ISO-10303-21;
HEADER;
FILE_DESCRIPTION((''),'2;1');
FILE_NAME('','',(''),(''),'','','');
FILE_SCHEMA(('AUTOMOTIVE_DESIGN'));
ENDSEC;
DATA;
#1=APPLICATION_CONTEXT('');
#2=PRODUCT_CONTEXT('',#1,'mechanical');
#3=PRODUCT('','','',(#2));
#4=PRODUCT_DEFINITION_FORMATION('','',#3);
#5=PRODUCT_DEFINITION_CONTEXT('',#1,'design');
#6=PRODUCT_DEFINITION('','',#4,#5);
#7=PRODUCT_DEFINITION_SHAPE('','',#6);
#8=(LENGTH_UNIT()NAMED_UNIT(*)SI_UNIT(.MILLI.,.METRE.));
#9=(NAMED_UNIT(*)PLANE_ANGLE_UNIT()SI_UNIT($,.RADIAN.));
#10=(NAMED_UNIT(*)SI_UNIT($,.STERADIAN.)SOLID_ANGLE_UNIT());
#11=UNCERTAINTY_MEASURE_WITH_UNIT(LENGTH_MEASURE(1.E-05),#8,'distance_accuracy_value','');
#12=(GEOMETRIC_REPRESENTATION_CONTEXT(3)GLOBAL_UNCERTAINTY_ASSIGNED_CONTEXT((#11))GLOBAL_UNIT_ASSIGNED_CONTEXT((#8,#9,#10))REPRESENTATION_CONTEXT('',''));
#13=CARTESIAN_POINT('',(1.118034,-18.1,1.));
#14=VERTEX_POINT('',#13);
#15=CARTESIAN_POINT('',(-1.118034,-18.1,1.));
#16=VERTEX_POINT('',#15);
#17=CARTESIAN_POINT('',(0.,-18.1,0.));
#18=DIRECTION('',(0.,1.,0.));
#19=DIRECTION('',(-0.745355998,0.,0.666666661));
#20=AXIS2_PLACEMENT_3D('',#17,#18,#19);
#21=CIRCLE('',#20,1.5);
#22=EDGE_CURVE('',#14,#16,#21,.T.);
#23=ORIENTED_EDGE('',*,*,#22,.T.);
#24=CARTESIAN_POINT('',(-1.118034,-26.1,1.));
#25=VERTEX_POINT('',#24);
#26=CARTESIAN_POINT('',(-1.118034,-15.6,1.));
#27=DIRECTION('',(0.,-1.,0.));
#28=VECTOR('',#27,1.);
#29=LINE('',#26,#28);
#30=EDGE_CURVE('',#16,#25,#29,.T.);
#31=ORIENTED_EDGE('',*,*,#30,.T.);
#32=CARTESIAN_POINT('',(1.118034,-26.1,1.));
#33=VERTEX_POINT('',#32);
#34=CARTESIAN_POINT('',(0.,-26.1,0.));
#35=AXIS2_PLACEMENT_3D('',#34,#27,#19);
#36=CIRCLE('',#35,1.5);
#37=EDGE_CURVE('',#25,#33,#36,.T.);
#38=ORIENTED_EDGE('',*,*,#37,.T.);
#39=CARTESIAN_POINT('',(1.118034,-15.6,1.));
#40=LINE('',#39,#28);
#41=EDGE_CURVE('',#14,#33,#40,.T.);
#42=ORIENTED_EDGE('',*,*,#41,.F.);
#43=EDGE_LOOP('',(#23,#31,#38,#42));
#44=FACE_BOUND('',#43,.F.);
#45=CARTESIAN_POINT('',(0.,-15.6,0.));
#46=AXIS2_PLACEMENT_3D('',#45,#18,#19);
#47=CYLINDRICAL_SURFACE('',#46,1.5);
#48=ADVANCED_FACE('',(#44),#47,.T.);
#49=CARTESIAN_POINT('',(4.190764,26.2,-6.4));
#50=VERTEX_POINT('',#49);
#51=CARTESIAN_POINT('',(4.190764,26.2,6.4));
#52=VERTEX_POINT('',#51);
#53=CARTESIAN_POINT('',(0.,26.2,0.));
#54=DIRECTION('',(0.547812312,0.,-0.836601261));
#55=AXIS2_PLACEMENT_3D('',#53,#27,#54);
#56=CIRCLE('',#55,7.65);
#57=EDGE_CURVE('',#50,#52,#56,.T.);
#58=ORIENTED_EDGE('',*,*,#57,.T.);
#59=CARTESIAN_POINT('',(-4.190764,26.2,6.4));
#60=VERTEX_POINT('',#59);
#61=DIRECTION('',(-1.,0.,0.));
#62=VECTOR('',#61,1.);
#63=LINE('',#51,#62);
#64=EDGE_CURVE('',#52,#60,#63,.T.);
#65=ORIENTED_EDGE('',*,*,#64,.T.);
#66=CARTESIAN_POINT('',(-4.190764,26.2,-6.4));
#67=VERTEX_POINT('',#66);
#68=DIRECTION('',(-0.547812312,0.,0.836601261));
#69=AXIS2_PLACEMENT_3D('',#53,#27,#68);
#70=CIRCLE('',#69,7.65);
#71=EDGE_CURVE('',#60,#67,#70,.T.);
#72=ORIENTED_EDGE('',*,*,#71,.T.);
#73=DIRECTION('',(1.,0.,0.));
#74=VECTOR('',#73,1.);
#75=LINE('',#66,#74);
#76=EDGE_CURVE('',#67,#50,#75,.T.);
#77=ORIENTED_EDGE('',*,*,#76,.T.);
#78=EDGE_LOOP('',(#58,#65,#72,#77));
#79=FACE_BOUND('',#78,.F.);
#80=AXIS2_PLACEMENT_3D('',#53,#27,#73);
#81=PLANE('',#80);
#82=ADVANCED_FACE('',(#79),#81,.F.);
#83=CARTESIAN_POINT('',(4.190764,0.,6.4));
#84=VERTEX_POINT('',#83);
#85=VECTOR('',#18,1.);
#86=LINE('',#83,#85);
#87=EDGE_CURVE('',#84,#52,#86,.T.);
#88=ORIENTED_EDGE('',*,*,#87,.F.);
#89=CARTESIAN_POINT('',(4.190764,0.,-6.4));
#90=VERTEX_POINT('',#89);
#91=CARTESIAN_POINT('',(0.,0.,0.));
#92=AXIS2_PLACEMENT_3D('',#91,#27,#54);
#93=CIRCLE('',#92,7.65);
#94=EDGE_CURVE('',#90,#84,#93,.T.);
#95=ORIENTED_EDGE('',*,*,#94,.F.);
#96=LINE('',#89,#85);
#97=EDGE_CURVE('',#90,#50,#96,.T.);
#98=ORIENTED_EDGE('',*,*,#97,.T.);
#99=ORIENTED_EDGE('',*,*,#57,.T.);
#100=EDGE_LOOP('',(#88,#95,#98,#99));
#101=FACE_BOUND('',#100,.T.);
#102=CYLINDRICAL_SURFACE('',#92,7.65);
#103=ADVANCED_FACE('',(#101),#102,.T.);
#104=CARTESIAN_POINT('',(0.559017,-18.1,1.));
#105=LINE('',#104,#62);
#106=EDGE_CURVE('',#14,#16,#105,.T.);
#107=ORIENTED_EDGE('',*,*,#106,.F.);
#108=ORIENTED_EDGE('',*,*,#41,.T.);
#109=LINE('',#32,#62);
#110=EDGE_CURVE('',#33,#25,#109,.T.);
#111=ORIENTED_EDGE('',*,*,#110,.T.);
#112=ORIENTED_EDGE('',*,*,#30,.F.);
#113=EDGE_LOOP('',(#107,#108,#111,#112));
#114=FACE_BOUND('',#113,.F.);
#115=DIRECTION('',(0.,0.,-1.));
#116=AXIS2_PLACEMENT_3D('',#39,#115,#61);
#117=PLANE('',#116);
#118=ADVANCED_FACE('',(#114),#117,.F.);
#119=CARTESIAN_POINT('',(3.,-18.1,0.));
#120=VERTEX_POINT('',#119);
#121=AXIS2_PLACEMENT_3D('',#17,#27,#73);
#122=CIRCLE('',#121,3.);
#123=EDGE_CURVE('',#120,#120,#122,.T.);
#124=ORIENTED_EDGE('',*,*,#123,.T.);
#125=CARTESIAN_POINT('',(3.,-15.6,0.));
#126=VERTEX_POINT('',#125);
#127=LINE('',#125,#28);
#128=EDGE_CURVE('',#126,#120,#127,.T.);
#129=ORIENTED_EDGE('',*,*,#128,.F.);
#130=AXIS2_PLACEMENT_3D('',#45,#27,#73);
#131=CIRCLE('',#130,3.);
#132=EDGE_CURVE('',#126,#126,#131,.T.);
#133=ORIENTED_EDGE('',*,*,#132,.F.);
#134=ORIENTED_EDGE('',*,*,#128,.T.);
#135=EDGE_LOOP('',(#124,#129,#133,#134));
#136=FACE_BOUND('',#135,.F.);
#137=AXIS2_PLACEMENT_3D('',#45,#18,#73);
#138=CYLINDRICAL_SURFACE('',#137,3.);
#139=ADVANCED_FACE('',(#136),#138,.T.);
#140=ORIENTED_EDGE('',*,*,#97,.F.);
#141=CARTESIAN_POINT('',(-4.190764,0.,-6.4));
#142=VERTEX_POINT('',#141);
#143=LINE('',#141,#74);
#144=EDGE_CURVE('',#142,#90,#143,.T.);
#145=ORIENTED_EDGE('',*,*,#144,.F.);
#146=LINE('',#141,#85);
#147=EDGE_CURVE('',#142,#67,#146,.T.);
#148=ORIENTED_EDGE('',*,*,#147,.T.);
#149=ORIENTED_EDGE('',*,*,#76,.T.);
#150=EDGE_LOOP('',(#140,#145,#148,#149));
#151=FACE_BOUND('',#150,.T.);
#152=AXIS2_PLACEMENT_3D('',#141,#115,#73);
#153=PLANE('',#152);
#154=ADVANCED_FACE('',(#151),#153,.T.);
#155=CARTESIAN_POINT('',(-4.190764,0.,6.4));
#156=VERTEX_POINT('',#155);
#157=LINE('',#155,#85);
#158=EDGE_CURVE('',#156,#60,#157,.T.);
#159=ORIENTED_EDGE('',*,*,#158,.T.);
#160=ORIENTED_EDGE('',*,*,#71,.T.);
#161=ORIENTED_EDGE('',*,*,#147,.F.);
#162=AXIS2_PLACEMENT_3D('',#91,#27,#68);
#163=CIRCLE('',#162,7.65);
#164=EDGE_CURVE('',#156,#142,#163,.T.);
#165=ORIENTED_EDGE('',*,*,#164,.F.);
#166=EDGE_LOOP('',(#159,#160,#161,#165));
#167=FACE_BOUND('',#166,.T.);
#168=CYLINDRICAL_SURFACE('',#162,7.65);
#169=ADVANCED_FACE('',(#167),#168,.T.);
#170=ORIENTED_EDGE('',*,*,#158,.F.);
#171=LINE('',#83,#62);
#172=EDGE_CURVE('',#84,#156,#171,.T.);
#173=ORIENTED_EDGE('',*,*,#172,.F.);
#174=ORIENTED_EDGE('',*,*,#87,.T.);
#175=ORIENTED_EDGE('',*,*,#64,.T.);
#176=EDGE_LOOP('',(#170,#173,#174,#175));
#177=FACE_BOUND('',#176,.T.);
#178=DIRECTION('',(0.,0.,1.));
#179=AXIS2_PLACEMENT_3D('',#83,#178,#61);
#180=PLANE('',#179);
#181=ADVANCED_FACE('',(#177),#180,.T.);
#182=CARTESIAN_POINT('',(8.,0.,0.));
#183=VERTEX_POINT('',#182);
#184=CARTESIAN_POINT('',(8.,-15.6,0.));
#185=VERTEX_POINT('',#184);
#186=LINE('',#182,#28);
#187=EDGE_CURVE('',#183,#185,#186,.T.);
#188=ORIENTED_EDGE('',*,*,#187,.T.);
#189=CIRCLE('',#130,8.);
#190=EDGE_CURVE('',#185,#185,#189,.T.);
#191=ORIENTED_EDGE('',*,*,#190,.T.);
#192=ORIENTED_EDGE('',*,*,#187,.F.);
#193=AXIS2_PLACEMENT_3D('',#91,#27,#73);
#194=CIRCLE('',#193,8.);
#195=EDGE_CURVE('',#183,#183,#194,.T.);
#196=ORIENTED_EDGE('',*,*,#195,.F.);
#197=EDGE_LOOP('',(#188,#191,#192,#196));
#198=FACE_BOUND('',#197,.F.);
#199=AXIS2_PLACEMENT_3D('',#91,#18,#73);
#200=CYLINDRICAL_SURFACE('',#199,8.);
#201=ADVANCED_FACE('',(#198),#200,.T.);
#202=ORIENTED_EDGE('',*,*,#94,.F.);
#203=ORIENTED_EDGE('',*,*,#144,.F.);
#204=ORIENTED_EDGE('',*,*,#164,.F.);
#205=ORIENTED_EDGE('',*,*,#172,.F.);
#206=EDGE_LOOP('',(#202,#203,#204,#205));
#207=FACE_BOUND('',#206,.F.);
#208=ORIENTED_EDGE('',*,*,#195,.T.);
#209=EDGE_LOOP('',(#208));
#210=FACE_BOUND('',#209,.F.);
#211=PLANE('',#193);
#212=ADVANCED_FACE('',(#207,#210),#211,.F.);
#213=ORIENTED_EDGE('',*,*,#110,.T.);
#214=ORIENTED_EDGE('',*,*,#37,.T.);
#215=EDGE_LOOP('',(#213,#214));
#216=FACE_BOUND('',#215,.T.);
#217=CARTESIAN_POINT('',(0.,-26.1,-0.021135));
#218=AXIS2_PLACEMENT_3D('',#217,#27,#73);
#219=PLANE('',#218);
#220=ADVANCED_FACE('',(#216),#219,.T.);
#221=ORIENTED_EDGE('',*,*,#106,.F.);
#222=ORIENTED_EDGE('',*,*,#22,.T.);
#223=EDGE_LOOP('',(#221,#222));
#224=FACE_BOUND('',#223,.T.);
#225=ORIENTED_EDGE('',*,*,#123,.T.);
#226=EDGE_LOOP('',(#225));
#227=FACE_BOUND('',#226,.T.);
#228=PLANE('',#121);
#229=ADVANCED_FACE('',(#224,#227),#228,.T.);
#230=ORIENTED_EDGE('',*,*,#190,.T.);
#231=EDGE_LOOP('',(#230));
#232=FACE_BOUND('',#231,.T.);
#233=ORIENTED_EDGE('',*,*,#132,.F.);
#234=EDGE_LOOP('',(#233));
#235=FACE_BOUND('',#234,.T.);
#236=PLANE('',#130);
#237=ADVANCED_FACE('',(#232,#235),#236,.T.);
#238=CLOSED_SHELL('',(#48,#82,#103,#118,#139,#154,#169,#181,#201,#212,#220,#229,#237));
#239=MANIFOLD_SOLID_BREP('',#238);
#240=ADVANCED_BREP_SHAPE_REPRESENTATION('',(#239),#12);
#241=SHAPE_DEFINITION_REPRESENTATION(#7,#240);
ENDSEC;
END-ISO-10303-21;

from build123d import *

# Parameters (mm, degrees)
F1_DEPTH = 26.2
F2_R     = 8
F3_DEPTH = 15.6
F5_DEPTH = 10.5
F6_R     = 3
F7_DEPTH = 2.5
F8_R     = 1.944472
F9_DEPTH = 20


with BuildPart() as f1:
    # F0 (on Front) → F1 (new body)
    with BuildSketch(Plane.XZ):
        with BuildLine():
            Line((4.190764, 6.4), (-4.190764, 6.4))
            ThreePointArc((-4.190764, 6.4), (-7.65, 0), (-4.190764, -6.4))
            Line((-4.190764, -6.4), (4.190764, -6.4))
            ThreePointArc((4.190764, -6.4), (7.65, 0), (4.190764, 6.4))
        make_face()
    extrude(amount=-F1_DEPTH)

    # F2 (on face) → F3 (join)
    with BuildSketch(Plane.XZ):
        Circle(F2_R)
    extrude(amount=F3_DEPTH)

    # F4 (on face) → F5 (join)
    with BuildSketch(Plane.XZ.offset(15.6)):
        with BuildLine():
            Line((1.118034, 1), (-1.118034, 1))
            ThreePointArc((-1.118034, 1), (0, -1.5), (1.118034, 1))
        make_face()
    extrude(amount=F5_DEPTH)

    # F6 (on face) → F7 (join)
    with BuildSketch(Plane.XZ.offset(15.6)):
        Circle(F6_R)
    extrude(amount=F7_DEPTH)

    # F8 (on face) → F9 (cut)
    with BuildSketch(Plane.XZ.offset(15.6)):
        with Locations((-13.127005, 0)):
            Circle(F8_R)
        with Locations((13.127005, 0)):
            Circle(F8_R)
    extrude(amount=-F9_DEPTH, mode=Mode.SUBTRACT)


solid = f1.part
